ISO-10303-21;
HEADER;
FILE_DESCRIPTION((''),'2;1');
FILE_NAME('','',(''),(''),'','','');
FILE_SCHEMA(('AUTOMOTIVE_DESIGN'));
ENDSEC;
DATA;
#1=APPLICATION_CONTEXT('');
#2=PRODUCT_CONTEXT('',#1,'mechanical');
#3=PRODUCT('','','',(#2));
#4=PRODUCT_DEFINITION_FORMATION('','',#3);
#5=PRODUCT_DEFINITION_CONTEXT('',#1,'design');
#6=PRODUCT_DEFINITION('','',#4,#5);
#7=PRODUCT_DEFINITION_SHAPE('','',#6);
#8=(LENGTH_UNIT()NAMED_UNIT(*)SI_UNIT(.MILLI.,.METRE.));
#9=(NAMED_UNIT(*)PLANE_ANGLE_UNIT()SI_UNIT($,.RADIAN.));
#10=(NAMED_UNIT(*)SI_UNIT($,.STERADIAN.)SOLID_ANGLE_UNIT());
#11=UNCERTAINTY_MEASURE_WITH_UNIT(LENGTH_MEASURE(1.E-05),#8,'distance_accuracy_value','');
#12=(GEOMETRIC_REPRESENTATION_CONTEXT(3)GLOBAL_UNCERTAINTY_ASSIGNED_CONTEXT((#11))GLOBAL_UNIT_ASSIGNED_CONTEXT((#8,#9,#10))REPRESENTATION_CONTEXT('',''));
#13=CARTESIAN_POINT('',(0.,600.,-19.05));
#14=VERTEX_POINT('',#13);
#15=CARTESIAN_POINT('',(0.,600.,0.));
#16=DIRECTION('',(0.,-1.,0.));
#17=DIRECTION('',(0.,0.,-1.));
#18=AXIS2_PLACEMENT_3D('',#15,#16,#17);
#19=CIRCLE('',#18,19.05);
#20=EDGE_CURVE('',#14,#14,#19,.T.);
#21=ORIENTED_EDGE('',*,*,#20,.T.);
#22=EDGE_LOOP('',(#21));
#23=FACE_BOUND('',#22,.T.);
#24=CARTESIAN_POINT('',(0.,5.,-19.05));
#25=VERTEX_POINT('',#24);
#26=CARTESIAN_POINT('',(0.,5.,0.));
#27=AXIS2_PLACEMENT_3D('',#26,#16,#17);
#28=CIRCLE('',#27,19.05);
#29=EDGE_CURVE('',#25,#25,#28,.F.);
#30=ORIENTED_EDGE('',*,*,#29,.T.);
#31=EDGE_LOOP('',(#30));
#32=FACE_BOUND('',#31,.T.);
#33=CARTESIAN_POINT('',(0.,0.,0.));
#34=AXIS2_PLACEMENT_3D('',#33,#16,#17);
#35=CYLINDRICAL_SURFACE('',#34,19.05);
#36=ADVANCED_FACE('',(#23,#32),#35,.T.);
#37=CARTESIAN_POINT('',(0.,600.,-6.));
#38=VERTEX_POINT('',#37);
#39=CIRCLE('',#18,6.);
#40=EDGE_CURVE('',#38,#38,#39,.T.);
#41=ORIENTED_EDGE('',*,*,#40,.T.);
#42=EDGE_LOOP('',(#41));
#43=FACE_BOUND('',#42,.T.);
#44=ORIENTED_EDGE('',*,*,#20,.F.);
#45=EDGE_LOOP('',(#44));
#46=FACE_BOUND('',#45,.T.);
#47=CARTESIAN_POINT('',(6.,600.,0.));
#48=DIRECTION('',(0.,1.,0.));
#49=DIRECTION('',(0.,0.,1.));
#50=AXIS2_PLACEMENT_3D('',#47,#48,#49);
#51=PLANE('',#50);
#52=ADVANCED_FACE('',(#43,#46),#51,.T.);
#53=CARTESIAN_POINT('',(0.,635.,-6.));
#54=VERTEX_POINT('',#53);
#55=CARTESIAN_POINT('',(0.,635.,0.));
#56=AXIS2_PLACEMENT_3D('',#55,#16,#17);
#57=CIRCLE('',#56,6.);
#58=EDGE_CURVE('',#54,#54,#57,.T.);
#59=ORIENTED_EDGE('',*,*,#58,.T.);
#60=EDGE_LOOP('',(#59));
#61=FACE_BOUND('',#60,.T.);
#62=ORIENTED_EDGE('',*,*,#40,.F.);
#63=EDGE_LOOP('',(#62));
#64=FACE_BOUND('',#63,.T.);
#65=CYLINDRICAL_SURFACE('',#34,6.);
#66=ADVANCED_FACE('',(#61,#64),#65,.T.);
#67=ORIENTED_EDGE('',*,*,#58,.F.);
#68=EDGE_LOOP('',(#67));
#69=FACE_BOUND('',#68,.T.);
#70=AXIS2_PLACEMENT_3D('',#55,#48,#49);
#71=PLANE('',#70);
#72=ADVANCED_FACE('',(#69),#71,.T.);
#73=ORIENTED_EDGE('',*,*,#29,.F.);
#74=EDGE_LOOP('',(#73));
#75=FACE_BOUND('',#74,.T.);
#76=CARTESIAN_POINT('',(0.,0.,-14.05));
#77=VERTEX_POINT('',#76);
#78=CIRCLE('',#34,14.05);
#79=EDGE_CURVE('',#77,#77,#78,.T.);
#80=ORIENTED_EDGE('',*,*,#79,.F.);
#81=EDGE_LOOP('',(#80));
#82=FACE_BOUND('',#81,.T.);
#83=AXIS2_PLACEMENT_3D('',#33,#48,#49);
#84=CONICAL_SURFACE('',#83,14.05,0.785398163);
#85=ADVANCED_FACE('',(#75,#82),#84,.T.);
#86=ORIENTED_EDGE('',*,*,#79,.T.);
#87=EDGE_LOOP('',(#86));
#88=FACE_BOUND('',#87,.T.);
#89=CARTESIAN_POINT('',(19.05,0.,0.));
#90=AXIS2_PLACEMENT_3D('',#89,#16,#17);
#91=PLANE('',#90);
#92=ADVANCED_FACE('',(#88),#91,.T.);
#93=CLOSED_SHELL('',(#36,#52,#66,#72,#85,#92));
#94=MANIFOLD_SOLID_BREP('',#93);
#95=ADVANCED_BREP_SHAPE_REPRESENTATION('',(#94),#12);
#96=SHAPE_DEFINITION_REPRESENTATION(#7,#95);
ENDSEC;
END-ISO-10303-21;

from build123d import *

# Parameters (mm, degrees)
CHANFRO1_SIZE = 5


with BuildPart() as part:
    # Esboço1 → Revolução1 (revolve)
    with BuildSketch(Plane.XY):
        Polygon((0, 635), (6, 635), (6, 600), (19.05, 600), (19.05, 0), (0, 0), align=None)
    revolve(axis=Axis((0, 0, 0), (0, 1, 0)))

    # Chanfro1
    chanfro1_edges = [part.edges().sort_by_distance(p)[0] for p in [
        (-19.05, 0, 0),
    ]]
    chamfer(chanfro1_edges, length=CHANFRO1_SIZE)


solid = part.part
